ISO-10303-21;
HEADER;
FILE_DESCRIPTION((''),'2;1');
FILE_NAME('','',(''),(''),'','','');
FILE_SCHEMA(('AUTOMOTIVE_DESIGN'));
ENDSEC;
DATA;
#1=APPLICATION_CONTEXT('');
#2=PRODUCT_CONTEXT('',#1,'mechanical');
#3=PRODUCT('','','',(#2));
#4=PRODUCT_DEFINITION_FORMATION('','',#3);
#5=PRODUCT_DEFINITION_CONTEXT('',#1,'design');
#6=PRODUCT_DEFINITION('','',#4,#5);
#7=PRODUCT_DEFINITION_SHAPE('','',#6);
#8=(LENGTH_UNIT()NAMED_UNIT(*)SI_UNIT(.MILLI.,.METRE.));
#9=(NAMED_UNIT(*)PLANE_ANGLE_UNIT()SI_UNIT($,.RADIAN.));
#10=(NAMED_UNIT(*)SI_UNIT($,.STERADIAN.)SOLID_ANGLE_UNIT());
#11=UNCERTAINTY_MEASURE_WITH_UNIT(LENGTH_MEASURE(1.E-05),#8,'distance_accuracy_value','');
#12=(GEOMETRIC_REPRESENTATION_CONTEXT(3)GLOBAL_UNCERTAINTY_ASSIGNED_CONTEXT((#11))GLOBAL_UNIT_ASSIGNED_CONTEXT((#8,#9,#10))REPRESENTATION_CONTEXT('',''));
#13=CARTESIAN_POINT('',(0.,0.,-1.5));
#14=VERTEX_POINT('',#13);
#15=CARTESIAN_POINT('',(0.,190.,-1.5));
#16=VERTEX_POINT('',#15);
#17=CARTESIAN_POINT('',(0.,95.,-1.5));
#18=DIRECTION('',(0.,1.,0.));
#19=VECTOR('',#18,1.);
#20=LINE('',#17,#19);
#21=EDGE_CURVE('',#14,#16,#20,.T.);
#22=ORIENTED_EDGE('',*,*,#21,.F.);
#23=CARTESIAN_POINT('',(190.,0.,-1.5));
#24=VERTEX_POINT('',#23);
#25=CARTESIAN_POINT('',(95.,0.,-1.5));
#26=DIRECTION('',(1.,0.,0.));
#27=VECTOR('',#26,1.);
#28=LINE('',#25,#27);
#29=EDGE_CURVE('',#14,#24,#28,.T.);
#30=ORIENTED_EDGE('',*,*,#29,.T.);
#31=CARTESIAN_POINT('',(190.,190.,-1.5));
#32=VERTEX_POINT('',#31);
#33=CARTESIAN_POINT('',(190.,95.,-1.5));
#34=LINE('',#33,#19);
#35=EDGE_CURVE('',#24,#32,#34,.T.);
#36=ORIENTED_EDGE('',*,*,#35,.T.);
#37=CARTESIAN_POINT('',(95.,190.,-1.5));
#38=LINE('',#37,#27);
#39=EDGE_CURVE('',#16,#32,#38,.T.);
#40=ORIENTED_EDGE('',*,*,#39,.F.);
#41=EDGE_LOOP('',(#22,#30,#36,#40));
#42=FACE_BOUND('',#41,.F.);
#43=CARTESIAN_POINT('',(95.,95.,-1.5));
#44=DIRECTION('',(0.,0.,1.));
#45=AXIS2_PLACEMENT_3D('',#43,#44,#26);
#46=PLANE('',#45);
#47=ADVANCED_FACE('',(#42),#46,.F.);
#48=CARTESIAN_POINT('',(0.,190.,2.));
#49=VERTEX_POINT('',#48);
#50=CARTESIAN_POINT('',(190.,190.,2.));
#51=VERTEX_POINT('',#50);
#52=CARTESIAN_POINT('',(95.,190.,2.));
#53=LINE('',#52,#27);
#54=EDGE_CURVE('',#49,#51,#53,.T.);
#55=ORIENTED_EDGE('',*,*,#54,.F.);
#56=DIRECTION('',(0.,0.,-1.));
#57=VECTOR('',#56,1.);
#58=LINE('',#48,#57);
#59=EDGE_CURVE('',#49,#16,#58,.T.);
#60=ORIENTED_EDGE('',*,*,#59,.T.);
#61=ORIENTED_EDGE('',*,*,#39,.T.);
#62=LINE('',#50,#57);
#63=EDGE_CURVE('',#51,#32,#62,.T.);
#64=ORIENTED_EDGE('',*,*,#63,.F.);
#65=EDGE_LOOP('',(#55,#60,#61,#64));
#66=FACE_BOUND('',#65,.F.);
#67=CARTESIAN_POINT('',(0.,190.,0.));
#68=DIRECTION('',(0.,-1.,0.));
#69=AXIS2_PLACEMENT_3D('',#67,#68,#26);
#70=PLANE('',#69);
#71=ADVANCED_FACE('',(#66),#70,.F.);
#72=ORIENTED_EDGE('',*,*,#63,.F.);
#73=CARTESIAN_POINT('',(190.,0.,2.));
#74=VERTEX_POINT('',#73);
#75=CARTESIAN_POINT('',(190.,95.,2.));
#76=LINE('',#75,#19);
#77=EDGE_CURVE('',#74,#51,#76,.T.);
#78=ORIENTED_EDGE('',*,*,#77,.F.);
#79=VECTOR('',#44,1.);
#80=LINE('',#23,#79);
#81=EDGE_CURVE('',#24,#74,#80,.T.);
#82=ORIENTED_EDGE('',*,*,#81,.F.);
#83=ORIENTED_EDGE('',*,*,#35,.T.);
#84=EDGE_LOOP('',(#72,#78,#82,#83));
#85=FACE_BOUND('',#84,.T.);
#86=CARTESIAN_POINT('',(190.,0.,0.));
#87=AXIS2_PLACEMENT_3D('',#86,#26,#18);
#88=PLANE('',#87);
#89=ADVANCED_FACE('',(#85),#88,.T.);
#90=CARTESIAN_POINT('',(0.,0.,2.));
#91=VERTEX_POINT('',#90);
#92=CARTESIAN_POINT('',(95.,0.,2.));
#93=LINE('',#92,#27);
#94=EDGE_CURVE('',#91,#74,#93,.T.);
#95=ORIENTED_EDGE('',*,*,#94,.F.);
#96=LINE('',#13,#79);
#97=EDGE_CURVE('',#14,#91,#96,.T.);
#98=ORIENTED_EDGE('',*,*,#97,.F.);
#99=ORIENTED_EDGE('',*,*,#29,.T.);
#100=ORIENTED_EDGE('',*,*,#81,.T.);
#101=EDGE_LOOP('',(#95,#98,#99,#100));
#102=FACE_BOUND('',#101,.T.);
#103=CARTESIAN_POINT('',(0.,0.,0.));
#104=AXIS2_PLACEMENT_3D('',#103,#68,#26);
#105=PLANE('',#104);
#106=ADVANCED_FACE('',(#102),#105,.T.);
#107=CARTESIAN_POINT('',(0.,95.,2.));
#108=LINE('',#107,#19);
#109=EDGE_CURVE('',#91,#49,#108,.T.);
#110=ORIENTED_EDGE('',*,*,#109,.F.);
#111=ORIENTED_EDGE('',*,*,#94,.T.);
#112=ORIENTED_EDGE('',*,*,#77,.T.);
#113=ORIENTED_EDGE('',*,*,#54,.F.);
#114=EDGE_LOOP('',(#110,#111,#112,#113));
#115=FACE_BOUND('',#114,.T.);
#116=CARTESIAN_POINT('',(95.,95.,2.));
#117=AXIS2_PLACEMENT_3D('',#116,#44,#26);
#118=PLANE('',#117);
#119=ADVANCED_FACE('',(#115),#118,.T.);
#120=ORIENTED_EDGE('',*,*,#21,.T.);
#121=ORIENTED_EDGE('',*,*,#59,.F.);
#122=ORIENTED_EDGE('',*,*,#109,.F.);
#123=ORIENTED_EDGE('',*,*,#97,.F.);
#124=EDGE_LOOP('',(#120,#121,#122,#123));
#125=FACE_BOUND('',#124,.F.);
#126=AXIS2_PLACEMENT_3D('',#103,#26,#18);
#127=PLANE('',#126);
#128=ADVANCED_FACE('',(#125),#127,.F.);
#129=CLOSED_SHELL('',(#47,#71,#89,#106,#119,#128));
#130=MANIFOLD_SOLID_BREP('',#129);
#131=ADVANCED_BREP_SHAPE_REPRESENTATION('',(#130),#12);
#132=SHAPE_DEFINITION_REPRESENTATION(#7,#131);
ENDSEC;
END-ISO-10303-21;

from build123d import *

# Parameters (mm, degrees)
F0_W     = 190
F0_H     = 190
F1_DEPTH = 2
F2_DEPTH = 1.5


with BuildPart() as f1:
    # F0 (on Top) → F1 (new body)
    with BuildSketch(Plane.XY):
        with Locations((95, 95)):
            Rectangle(F0_W, F0_H)
    extrude(amount=F1_DEPTH)

    # F0 (on Top) → F2 (join, symmetric)
    with BuildSketch(Plane.XY):
        with Locations((95, 95)):
            Rectangle(F0_W, F0_H)
    extrude(amount=F2_DEPTH, both=True)


solid = f1.part
